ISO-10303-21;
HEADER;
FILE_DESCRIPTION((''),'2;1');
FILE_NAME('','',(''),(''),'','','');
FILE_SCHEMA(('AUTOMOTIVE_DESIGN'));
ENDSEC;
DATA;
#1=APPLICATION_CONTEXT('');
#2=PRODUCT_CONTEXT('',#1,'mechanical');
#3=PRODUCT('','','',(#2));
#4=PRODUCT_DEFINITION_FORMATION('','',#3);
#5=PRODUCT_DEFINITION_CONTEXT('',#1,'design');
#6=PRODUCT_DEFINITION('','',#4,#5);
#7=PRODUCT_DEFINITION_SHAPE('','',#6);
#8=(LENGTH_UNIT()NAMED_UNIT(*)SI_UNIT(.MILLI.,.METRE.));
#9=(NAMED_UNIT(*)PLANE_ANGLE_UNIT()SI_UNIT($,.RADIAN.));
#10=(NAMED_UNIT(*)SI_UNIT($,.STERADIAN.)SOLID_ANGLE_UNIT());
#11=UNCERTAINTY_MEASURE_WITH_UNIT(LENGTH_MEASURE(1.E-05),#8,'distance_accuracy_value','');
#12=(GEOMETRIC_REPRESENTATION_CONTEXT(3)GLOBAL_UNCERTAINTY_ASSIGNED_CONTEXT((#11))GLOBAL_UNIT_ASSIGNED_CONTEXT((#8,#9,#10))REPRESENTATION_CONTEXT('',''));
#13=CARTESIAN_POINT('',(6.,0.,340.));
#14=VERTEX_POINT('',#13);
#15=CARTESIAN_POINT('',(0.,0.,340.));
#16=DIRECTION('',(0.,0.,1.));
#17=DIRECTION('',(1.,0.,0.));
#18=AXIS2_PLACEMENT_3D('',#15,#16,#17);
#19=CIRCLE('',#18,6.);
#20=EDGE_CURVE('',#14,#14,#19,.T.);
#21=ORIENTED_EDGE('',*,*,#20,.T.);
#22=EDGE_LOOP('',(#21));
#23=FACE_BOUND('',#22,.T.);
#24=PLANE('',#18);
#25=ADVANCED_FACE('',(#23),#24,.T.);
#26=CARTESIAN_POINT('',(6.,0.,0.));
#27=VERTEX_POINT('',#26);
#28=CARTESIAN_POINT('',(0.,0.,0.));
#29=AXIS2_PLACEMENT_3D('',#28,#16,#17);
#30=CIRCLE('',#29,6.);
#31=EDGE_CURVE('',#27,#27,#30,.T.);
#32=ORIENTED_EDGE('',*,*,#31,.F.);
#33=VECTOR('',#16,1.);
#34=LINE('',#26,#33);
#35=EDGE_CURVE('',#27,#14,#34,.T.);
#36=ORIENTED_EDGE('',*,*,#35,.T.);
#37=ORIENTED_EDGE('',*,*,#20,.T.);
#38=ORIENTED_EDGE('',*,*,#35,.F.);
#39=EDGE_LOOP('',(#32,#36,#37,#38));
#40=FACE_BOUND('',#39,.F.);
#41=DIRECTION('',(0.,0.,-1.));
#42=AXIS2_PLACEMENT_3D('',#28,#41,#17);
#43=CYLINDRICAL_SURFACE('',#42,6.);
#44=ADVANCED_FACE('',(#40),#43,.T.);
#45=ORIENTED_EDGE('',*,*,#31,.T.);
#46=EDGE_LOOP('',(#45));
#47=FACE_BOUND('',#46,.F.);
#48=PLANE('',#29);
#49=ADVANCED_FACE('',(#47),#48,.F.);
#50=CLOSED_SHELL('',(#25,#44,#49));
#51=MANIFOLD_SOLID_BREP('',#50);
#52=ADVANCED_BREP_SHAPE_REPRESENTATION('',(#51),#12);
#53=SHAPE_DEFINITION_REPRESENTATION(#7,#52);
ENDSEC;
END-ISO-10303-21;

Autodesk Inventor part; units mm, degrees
ref_plane "YZ Plane" through (0, 0, 0) normal (1, 0, 0) x (0, 1, 0)
ref_plane "XZ Plane" through (0, 0, 0) normal (0, 1, 0) x (-1, 0, 0)
ref_plane "XY Plane" through (0, 0, 0) normal (0, 0, 1) x (1, 0, 0)
sketch "Sketch1" plane through (0, 0, 0) normal (0, 0, 1) x (1, 0, 0)
  circle A0 centre (0, 0) radius 6
  dimension "d0" = 12
extrude "Extrusion1" add sketch "Sketch1" along normal blind 340
properties part number "Bottom_Mover" material "Steel"
